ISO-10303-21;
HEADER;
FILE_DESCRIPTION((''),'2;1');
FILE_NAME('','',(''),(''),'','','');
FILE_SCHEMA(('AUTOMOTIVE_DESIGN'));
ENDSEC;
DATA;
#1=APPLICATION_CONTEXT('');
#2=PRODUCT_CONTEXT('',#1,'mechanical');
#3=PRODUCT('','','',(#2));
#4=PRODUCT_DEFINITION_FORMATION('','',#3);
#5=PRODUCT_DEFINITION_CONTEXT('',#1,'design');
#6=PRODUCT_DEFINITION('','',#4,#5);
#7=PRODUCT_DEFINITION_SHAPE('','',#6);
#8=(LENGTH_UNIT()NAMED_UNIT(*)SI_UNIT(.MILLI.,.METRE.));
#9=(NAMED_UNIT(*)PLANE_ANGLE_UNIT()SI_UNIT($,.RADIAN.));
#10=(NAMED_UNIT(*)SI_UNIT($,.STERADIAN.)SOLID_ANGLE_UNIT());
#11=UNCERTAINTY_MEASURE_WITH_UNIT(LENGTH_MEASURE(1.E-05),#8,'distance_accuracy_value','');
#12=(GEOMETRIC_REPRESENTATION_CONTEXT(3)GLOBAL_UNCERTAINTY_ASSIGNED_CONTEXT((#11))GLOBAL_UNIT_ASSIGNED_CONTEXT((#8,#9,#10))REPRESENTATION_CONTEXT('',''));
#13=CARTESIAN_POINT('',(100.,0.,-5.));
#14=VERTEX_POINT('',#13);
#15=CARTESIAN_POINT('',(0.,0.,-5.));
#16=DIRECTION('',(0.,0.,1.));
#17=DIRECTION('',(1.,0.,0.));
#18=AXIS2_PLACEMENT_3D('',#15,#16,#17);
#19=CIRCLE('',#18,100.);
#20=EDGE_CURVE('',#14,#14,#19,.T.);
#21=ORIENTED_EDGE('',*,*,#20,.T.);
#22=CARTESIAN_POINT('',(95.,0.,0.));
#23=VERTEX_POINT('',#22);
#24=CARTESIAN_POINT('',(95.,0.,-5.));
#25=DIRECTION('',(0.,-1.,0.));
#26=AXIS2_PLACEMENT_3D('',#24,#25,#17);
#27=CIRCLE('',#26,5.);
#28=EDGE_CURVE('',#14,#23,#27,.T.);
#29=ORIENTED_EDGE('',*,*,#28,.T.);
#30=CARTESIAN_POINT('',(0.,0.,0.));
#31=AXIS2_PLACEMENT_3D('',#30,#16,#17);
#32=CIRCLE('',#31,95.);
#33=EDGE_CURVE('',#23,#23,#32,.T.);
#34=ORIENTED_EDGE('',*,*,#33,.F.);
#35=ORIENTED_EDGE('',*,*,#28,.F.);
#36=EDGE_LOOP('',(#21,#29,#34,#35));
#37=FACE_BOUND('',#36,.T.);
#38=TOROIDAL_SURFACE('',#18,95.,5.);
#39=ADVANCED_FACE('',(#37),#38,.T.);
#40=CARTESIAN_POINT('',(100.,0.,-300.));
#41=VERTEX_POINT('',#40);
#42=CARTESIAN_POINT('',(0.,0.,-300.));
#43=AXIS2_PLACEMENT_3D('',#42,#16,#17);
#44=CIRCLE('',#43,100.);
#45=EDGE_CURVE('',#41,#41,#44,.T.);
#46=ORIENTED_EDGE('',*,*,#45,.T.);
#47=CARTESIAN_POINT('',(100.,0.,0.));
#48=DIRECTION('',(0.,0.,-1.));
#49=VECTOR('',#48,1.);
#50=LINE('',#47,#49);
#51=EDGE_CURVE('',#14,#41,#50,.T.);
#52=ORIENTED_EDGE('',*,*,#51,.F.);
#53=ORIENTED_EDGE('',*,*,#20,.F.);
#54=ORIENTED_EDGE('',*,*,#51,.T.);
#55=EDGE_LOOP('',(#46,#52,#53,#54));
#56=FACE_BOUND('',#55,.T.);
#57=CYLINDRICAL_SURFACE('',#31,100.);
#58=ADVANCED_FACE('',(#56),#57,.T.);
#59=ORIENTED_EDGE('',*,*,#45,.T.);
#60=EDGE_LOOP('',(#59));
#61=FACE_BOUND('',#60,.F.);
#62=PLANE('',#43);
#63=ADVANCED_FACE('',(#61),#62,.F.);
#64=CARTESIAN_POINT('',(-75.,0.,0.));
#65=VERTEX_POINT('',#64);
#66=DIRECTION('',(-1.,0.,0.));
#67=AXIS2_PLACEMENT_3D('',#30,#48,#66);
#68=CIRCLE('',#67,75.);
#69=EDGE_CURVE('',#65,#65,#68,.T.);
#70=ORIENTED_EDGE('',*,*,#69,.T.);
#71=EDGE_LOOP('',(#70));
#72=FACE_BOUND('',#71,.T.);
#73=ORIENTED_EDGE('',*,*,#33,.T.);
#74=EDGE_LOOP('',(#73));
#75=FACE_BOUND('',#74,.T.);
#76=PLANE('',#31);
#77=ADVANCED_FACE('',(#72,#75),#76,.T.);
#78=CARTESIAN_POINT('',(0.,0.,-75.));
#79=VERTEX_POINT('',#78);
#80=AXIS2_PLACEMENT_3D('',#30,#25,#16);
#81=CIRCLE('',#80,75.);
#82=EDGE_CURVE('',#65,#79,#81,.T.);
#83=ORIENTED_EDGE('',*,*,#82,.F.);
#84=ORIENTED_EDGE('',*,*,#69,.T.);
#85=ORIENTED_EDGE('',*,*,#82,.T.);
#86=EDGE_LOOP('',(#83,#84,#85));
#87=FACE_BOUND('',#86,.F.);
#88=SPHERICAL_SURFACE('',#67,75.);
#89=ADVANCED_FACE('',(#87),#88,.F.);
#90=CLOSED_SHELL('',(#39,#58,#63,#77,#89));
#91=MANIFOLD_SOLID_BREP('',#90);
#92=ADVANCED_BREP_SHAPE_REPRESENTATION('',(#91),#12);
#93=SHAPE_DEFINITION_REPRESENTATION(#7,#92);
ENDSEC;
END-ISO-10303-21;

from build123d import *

# Parameters (mm, degrees)
F0_R     = 100
F1_DEPTH = 300
F4_R     = 5


with BuildPart() as f1:
    # F0 (on Top) → F1 (new body)
    with BuildSketch(Plane.XY):
        Circle(F0_R)
    extrude(amount=-F1_DEPTH)

    # F2 (on Front) → F3 (revolve, cut)
    with BuildSketch(Plane.XZ):
        with BuildLine():
            Line((0, -75), (0, 75))
            ThreePointArc((0, 75), (-75, 0), (0, -75))
        make_face()
    revolve(axis=Axis((0, 0, 0), (0, 0, -1)), mode=Mode.SUBTRACT)

    # F4
    f4_edges = [f1.edges().sort_by_distance(p)[0] for p in [
        (-100, 0, 0),
    ]]
    fillet(f4_edges, radius=F4_R)


solid = f1.part
